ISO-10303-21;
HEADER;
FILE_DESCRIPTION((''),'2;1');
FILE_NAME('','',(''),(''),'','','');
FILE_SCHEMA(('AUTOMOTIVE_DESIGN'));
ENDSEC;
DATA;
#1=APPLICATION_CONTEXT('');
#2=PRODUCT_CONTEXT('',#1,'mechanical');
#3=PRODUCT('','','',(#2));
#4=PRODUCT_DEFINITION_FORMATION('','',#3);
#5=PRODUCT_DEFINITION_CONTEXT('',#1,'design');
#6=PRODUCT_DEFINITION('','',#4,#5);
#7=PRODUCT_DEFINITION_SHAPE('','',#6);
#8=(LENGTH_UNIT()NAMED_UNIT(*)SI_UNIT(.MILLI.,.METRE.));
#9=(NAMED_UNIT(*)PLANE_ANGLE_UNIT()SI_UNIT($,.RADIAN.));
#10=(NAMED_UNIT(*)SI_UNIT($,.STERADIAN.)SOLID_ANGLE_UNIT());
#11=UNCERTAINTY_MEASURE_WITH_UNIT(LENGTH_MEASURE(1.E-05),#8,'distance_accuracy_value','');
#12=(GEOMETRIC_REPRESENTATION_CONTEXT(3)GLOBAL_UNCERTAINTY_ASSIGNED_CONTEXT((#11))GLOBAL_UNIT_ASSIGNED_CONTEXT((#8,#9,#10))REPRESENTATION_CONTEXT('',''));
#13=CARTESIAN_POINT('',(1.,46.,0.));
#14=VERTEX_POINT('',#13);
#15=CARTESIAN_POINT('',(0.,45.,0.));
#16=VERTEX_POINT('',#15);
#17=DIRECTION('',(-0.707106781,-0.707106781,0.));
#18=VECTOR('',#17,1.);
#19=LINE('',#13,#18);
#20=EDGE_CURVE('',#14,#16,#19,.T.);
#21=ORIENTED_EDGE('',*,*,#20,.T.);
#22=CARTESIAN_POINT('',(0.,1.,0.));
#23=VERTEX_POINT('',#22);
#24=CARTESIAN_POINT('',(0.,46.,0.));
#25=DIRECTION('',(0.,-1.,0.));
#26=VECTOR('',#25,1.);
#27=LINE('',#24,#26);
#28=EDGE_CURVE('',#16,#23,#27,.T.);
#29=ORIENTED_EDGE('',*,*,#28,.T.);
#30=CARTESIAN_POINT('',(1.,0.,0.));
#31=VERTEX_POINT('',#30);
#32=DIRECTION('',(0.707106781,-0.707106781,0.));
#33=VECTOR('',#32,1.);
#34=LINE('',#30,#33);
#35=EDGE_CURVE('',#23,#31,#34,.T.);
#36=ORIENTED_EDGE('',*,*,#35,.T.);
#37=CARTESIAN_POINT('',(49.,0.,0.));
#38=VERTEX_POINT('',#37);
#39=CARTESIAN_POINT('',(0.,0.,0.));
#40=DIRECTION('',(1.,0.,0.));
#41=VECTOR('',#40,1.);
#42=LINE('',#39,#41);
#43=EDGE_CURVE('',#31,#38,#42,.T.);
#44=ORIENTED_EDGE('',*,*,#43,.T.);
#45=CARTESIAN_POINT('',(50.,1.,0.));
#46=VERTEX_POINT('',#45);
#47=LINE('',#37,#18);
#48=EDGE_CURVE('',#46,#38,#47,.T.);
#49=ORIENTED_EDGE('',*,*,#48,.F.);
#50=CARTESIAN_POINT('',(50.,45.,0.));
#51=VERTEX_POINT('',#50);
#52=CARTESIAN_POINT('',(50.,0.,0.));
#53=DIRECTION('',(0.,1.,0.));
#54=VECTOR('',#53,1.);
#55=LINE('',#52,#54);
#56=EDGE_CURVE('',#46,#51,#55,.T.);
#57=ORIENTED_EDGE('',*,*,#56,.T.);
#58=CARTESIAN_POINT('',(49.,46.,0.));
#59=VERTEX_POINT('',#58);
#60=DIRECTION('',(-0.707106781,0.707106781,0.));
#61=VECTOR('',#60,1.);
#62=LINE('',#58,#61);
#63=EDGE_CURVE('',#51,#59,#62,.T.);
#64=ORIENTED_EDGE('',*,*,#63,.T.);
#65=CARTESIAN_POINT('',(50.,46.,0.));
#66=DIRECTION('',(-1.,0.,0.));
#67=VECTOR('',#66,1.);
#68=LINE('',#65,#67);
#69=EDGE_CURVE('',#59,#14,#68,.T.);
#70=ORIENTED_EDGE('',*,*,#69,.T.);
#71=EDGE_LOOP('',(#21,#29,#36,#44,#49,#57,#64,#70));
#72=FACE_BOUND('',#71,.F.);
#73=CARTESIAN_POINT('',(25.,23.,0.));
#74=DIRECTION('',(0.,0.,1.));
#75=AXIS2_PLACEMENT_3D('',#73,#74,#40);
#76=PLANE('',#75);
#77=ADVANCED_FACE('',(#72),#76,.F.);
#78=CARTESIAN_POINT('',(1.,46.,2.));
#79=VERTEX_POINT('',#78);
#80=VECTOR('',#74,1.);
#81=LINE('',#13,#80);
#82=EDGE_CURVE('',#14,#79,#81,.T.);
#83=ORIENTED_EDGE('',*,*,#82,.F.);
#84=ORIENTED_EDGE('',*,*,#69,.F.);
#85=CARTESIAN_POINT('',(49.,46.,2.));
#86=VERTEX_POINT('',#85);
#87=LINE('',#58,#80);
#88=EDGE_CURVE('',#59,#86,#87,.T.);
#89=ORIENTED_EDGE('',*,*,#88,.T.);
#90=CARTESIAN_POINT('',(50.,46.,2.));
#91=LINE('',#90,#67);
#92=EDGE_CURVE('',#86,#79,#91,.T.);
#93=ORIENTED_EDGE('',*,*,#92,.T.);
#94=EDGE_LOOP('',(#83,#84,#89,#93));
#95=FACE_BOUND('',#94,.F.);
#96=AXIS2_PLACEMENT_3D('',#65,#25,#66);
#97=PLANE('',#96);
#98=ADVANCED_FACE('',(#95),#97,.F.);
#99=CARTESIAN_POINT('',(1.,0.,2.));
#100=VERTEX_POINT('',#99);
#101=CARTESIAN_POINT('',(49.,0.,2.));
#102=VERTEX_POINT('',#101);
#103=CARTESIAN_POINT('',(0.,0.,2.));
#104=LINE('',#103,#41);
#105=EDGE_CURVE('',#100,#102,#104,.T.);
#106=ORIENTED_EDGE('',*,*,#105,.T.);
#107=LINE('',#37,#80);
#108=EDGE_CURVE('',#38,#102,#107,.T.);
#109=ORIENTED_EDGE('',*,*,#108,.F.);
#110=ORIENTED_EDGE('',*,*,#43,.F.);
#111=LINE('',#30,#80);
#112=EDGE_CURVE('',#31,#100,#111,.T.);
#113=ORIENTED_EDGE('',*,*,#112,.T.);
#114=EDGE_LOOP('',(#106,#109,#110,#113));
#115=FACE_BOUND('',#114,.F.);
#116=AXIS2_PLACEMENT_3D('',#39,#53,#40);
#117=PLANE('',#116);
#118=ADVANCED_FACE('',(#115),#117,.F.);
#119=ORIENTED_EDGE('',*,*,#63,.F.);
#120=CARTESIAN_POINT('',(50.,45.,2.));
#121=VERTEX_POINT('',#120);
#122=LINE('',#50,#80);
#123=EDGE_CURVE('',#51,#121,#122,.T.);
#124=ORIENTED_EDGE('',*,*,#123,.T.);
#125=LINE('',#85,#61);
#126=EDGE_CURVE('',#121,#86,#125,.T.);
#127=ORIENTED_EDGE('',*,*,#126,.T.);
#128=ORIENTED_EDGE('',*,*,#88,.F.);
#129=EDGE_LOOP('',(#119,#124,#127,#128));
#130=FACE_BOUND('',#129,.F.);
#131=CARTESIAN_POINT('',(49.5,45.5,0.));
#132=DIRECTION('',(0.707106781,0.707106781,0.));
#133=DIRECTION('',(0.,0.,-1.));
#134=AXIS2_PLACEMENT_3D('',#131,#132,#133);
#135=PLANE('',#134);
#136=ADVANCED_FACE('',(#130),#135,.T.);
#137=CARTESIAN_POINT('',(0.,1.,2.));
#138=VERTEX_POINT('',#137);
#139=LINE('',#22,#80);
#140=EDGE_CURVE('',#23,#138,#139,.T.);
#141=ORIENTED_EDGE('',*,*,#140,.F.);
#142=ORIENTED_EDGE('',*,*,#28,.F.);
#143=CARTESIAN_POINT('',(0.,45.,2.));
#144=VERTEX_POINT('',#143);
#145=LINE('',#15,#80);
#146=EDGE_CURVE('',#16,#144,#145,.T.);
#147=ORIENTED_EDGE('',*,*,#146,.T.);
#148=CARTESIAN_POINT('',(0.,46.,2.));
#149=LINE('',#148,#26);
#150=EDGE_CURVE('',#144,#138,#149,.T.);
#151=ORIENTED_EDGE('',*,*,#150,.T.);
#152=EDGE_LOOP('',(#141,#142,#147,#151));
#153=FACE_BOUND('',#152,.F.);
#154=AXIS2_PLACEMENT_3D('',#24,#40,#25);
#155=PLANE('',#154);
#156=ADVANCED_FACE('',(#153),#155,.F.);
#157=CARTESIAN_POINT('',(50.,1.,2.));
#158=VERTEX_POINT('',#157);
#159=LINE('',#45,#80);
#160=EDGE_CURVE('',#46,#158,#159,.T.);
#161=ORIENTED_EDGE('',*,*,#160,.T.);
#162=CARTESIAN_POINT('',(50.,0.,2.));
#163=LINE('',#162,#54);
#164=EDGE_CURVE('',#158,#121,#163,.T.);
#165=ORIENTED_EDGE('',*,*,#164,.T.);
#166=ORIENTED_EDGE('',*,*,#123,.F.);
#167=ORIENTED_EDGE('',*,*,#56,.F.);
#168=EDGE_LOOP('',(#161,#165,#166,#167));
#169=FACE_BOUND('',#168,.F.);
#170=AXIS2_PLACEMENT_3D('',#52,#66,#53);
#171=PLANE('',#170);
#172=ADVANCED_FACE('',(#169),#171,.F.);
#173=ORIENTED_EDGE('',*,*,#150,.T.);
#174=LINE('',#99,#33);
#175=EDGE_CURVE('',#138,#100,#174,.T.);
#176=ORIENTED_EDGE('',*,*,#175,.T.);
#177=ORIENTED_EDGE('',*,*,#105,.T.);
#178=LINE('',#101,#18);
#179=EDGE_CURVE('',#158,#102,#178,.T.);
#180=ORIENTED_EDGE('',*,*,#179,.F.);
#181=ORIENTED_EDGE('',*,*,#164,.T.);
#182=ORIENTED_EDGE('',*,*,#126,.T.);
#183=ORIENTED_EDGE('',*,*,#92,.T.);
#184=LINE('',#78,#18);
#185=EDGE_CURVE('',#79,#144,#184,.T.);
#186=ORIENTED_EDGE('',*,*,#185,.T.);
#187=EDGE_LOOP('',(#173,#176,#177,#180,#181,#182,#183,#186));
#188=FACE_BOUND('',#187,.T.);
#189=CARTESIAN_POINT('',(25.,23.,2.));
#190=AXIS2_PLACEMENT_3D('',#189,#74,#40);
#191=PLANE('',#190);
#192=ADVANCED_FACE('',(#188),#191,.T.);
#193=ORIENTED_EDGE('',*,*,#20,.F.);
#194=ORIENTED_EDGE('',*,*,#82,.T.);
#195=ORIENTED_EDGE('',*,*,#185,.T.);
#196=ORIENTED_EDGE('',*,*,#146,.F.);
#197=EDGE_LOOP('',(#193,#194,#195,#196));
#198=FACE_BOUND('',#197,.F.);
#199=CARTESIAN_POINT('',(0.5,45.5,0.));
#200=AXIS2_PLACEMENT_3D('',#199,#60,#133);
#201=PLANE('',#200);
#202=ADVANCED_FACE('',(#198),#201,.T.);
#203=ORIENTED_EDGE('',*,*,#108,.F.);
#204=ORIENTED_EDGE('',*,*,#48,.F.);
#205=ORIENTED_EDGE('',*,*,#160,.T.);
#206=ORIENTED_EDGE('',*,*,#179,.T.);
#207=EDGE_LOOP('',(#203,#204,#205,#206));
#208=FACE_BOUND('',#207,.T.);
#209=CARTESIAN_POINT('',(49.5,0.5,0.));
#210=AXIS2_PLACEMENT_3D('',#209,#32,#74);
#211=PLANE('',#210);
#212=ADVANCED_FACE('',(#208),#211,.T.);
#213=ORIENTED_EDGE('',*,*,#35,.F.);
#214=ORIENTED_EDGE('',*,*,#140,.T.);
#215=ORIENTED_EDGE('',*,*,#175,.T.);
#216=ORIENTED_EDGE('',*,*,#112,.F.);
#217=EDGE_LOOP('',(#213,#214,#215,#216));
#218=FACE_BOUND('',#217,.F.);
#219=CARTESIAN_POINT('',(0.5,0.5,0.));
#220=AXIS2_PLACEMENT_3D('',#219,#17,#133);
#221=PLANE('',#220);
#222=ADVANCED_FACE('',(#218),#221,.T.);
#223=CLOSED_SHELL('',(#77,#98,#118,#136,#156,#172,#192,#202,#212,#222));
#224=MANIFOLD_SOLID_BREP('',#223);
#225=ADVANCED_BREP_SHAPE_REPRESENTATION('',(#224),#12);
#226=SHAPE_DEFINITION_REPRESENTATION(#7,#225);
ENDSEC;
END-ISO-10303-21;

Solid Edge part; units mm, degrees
sketch "Sketch1" plane through (0, 0, 0) normal (0, 0, 1) x (1, 0, 0)
  line L0 (50, 0) -> (50, 46)
  line L1 (50, 46) -> (0, 46)
  line L2 (0, 46) -> (0, 0)
  line L3 (0, 0) -> (50, 0)
extrude "Protrusion1" add sketch "Sketch1" along normal blind 2
chamfer "Fase_1" distance 1 angle 45 4 edges at (50, 0, 1) (50, 46, 1) (0, 46, 1) (0, 0, 1)
